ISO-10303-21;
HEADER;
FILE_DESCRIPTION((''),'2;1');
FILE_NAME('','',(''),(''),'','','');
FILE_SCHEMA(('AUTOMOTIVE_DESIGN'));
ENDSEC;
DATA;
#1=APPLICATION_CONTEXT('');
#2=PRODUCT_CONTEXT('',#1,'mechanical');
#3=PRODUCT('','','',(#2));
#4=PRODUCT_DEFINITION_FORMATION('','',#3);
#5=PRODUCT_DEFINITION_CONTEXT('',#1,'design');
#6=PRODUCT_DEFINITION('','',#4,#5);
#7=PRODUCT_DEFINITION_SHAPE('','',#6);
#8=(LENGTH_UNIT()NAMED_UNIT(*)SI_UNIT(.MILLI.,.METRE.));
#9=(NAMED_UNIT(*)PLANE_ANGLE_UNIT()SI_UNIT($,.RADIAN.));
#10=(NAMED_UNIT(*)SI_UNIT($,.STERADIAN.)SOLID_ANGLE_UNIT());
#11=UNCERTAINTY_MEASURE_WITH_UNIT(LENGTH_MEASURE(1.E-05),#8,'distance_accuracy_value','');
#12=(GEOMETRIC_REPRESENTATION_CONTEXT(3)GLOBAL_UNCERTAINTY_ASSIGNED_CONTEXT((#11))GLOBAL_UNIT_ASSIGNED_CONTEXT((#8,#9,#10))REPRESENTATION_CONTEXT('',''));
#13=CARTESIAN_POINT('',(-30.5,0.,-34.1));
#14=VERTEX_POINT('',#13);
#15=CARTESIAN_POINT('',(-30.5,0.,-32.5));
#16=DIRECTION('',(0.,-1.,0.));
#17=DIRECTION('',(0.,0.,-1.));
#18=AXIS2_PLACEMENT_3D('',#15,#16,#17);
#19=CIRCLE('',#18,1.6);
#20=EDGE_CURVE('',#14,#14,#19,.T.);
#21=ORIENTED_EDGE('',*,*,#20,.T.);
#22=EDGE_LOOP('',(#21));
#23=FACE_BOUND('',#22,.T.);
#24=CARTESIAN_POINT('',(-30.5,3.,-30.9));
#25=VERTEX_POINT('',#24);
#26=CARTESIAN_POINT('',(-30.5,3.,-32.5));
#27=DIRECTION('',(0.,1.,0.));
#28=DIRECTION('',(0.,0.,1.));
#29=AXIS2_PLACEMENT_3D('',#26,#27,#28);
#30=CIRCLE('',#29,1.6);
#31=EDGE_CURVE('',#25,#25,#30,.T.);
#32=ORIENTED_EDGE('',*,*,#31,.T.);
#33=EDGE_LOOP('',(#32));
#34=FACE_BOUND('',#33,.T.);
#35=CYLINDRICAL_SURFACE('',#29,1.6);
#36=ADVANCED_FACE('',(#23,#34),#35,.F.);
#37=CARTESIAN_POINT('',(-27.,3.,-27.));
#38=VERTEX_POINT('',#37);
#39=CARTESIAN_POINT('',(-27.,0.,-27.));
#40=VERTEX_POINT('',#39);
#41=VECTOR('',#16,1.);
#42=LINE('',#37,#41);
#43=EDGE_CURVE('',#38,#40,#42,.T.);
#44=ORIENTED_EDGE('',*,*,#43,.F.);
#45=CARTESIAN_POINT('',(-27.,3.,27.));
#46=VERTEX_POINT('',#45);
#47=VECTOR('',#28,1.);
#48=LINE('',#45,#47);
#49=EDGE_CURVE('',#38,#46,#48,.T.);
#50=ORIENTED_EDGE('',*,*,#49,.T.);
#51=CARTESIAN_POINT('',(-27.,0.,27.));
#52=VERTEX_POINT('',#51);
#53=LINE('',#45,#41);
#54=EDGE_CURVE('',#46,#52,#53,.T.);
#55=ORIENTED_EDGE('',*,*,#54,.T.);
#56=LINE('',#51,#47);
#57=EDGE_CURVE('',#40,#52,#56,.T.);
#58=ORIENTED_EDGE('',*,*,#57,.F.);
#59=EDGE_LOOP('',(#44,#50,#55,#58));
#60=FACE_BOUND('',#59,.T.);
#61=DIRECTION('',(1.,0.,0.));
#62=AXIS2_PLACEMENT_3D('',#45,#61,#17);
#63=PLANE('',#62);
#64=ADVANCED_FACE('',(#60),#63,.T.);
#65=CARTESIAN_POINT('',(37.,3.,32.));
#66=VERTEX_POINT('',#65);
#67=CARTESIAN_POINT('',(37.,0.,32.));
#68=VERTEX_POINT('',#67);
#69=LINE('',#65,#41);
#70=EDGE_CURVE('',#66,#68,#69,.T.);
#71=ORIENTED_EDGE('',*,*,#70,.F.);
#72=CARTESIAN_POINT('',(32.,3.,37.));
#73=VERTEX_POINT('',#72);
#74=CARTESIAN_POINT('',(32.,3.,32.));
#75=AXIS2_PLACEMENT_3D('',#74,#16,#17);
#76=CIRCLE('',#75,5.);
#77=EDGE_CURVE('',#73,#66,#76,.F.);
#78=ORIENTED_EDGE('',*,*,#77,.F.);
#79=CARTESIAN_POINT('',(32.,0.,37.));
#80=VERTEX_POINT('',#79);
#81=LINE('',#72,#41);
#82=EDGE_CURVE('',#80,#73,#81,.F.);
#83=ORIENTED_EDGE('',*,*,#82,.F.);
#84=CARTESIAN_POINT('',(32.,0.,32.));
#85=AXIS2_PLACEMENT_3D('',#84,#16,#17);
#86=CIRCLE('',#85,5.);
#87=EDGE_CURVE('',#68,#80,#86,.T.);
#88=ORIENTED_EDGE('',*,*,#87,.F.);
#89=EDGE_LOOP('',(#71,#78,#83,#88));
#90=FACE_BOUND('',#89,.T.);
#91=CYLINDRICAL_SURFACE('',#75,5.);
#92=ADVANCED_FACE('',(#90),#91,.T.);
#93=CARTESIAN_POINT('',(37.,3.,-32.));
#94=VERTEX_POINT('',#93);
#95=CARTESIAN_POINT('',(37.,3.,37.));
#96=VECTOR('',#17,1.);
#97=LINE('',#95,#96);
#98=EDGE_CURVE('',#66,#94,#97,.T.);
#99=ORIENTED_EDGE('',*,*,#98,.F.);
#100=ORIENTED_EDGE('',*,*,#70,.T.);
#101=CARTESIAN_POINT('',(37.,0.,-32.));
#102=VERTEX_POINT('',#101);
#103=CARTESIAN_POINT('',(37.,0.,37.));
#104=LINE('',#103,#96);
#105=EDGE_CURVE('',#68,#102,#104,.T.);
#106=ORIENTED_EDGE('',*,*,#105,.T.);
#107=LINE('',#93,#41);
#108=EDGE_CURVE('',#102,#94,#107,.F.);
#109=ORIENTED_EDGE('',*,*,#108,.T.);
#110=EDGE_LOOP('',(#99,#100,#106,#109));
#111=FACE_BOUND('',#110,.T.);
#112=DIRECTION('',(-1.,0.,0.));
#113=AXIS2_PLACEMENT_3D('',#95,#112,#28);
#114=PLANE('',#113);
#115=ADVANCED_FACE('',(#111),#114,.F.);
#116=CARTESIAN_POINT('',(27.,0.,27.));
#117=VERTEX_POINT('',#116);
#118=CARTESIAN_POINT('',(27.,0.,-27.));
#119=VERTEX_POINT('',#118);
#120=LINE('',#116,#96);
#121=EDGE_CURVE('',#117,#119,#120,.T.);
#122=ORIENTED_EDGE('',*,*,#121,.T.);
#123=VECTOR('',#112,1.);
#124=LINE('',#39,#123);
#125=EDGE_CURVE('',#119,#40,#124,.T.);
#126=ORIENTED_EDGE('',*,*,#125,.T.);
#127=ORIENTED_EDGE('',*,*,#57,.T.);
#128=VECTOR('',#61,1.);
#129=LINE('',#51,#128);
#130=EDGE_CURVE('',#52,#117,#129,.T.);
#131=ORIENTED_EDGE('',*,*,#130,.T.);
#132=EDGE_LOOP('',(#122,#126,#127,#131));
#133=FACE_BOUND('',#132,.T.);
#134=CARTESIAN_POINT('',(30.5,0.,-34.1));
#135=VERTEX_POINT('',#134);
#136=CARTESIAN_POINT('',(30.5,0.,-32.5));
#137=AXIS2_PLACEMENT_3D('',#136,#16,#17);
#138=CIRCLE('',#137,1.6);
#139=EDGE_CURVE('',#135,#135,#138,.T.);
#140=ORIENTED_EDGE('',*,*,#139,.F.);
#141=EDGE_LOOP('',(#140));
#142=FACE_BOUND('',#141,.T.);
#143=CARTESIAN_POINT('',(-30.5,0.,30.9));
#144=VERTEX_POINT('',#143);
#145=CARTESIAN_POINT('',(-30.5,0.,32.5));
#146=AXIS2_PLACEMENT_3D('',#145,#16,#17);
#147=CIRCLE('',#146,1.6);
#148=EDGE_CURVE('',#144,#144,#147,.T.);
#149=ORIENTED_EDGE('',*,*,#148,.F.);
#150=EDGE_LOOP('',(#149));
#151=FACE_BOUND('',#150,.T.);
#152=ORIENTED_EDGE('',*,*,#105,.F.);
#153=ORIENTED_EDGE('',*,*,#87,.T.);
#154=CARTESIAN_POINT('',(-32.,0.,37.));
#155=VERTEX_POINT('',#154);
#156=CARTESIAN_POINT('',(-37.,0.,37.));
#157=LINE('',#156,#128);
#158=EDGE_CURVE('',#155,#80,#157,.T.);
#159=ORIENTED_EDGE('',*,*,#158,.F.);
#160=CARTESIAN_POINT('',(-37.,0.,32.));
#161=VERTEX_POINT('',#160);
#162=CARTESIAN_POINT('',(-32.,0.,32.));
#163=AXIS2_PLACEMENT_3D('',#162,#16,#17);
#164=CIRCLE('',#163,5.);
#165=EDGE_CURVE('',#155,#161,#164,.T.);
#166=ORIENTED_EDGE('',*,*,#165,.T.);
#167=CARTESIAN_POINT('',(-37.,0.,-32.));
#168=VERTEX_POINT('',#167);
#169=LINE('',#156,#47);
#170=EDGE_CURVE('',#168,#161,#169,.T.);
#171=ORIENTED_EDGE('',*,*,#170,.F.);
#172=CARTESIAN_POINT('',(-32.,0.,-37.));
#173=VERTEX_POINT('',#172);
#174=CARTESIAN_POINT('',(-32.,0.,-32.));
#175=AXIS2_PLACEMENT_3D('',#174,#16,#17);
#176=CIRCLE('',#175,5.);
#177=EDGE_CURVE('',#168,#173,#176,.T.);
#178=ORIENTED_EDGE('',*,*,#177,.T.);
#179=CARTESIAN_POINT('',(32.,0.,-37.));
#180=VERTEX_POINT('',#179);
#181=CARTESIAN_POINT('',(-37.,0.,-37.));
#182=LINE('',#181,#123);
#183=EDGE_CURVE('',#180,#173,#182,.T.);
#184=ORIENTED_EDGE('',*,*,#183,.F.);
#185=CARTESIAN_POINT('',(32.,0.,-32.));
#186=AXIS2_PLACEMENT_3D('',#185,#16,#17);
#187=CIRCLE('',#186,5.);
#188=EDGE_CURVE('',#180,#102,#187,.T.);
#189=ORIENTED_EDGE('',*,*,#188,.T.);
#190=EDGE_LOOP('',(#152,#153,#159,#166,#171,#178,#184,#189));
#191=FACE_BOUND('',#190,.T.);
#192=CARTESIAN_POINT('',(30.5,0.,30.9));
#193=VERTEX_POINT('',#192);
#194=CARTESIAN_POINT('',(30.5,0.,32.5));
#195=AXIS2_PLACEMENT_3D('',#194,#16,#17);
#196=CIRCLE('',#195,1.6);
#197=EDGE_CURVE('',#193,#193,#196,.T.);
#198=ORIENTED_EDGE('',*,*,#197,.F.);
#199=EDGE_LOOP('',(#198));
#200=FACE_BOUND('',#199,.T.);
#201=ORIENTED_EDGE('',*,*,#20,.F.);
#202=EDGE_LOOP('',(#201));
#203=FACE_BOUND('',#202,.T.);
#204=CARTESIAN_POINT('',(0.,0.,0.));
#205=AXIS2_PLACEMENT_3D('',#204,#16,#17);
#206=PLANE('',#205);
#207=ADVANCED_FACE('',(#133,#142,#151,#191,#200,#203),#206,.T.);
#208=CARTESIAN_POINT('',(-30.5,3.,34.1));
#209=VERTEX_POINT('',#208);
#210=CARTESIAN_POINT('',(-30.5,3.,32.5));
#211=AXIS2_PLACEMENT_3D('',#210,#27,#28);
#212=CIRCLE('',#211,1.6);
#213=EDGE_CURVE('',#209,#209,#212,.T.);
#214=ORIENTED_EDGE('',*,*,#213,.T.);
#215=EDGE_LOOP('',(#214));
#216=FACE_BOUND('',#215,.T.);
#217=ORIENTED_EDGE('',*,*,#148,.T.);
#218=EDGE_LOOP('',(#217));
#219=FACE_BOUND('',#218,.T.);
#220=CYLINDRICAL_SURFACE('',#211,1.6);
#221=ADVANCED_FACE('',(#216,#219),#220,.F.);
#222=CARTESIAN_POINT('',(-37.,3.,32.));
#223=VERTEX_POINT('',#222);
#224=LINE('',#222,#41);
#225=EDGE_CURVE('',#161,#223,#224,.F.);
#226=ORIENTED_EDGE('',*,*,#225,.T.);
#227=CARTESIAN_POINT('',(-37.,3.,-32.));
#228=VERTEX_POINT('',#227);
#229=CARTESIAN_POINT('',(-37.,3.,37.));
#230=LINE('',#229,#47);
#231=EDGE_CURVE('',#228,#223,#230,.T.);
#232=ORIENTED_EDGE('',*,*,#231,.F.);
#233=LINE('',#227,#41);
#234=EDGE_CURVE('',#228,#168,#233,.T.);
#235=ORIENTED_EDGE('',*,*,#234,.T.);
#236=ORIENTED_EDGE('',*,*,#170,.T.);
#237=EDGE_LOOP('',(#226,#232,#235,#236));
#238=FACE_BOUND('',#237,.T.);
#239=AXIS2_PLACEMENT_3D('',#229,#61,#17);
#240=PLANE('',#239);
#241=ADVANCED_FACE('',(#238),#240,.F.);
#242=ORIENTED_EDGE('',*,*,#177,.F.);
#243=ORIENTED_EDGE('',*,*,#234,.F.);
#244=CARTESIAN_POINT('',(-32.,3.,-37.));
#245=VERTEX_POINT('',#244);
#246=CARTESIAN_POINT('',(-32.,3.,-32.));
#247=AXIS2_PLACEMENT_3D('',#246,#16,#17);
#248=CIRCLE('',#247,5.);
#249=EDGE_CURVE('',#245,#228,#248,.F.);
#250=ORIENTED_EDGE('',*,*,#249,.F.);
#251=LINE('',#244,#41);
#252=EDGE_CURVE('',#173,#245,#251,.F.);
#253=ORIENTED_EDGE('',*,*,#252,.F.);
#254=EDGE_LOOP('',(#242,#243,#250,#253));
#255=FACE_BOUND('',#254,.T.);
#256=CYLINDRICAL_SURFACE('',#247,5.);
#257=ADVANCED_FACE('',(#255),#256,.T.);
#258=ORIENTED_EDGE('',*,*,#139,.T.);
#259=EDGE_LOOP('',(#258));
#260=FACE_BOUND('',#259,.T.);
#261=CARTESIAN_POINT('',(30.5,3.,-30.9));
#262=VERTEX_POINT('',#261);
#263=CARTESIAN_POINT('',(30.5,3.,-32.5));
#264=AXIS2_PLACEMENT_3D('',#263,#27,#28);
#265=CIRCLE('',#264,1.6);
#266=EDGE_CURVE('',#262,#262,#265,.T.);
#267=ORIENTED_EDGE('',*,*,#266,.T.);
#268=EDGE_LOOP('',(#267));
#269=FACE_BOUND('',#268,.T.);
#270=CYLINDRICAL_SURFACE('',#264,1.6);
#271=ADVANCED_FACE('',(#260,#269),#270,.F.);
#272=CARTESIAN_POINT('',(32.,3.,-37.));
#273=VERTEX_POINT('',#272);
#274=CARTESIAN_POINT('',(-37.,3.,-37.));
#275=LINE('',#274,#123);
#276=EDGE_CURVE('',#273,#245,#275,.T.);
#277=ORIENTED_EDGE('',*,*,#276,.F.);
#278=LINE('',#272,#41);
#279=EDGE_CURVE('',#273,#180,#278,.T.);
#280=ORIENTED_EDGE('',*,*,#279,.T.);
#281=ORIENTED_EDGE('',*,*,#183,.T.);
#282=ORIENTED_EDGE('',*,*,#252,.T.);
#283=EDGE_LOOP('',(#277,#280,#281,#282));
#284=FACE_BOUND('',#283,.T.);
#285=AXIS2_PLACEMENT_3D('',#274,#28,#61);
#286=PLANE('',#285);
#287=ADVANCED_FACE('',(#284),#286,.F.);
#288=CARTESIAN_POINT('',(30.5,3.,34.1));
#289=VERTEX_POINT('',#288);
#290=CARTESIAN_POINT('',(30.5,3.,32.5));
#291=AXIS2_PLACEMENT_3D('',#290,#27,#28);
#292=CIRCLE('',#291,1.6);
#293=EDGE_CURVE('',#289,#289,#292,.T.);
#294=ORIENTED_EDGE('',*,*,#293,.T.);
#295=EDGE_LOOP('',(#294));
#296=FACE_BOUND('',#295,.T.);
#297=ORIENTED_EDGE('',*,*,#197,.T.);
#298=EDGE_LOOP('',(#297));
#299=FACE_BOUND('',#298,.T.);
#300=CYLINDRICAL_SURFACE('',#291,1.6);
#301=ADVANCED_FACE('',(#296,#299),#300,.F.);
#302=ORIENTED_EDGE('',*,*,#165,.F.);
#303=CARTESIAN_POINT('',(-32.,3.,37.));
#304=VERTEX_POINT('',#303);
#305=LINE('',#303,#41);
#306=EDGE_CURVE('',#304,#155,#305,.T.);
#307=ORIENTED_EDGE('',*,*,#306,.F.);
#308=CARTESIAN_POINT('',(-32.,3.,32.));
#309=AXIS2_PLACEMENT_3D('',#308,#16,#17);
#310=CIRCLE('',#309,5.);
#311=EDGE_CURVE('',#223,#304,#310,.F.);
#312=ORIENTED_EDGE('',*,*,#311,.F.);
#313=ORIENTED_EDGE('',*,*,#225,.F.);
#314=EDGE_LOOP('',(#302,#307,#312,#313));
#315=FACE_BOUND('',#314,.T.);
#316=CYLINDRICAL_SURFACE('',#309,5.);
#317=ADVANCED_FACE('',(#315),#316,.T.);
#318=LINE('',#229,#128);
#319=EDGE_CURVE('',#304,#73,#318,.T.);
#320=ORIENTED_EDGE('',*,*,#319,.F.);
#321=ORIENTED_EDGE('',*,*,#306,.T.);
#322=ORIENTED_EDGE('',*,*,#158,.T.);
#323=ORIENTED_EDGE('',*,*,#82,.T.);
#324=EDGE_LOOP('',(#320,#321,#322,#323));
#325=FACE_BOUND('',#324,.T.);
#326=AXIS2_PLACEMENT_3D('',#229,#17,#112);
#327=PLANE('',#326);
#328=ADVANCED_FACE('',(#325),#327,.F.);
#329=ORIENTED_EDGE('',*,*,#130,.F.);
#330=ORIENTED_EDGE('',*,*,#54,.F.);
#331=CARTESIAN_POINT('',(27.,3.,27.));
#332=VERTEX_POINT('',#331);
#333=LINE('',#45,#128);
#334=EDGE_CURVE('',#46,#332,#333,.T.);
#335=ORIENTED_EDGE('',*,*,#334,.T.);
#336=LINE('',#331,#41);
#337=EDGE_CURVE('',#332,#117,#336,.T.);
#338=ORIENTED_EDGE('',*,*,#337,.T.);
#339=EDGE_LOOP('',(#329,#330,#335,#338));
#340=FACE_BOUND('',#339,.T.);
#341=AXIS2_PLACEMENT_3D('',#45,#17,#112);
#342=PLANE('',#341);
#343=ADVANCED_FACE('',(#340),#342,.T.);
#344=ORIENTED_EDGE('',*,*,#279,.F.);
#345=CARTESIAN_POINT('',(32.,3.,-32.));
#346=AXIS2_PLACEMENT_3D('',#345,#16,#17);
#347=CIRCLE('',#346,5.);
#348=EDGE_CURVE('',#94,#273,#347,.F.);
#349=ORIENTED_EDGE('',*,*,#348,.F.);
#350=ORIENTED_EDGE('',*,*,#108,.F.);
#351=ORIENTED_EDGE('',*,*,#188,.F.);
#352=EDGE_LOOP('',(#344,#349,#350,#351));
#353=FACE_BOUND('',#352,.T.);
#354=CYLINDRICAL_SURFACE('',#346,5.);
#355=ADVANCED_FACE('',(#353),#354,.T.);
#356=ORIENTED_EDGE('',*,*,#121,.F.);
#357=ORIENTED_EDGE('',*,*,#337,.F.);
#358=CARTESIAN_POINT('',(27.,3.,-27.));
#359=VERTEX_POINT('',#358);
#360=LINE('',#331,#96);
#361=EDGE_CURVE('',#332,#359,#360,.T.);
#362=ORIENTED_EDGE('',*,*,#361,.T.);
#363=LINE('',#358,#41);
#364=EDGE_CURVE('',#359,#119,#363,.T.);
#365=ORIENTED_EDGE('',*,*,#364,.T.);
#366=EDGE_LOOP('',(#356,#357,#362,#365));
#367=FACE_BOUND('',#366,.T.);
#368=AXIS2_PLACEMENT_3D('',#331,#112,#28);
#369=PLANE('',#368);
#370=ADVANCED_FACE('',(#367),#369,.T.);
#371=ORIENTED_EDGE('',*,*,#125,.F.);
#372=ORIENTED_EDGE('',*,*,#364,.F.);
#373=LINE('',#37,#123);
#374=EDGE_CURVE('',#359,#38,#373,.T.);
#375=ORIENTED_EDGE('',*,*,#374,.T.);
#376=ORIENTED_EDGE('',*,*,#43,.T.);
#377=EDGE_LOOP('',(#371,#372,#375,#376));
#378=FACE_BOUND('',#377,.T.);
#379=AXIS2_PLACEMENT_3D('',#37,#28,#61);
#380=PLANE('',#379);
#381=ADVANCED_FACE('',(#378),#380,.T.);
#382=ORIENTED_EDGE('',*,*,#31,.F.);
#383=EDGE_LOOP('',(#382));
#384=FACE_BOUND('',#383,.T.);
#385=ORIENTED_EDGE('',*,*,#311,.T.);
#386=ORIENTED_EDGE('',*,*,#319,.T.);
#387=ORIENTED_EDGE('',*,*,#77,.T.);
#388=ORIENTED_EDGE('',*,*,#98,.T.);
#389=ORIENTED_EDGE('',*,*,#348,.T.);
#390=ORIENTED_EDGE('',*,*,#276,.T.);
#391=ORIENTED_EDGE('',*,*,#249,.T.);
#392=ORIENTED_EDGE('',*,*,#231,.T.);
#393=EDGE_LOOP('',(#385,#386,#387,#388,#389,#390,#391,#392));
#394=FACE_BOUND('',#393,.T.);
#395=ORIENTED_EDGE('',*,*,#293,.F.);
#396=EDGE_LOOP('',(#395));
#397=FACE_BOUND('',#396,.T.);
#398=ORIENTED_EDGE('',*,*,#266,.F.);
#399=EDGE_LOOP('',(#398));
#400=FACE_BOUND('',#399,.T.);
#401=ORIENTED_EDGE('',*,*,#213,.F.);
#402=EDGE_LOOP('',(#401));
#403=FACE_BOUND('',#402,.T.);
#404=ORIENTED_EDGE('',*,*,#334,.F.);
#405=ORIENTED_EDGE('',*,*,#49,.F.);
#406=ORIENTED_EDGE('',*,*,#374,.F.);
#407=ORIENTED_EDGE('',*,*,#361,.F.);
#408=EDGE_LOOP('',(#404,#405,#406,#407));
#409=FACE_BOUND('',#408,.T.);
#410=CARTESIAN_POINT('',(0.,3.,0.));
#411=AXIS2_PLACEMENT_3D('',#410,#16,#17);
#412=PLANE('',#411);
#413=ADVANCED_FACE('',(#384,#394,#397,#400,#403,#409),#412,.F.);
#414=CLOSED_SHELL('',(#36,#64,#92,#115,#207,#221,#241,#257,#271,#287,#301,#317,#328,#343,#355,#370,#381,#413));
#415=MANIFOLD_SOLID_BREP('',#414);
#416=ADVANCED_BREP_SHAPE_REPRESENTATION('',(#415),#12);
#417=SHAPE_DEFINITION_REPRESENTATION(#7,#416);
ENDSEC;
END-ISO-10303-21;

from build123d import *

# Parameters (mm, degrees)
SKETCH1_W                = 74
SKETCH1_H                = 74
SKETCH1_W_2              = 54
SKETCH1_H_2              = 54
BOSS_EXTRUDE1_DEPTH      = 3
M3_CLEARANCE_HOLE1_D     = 3.2
M3_CLEARANCE_HOLE1_DEPTH = 4.5
M3_CLEARANCE_HOLE1_TIP   = 0.96137699
FILLET1_R                = 5


with BuildPart() as part:
    # Sketch1 → Boss-Extrude1 (new body)
    with BuildSketch(Plane(origin=(0, 0, 0), x_dir=(1, 0, 0), z_dir=(0, 1, 0))):
        Rectangle(SKETCH1_W, SKETCH1_H)
        Rectangle(SKETCH1_W_2, SKETCH1_H_2, mode=Mode.SUBTRACT)
    extrude(amount=BOSS_EXTRUDE1_DEPTH)

    # M3 Clearance Hole1
    with Locations(Plane(origin=(-30.5, 3, -32.5), x_dir=(0, 0, 1), z_dir=(0, 1, 0))):
        with Locations((0, 0), (0, 61), (65, 61), (65, 0)):
            Hole(M3_CLEARANCE_HOLE1_D / 2, depth=M3_CLEARANCE_HOLE1_DEPTH)
            with Locations((0, 0, -(M3_CLEARANCE_HOLE1_DEPTH + M3_CLEARANCE_HOLE1_TIP / 2))):  # 118° drill point
                Cone(0, M3_CLEARANCE_HOLE1_D / 2, M3_CLEARANCE_HOLE1_TIP, mode=Mode.SUBTRACT)

    # Fillet1
    fillet1_edges = [part.edges().sort_by_distance(p)[0] for p in [
        (37, 1.5, 37),
        (-37, 1.5, 37),
        (-37, 1.5, -37),
        (37, 1.5, -37),
    ]]
    fillet(fillet1_edges, radius=FILLET1_R)


solid = part.part
